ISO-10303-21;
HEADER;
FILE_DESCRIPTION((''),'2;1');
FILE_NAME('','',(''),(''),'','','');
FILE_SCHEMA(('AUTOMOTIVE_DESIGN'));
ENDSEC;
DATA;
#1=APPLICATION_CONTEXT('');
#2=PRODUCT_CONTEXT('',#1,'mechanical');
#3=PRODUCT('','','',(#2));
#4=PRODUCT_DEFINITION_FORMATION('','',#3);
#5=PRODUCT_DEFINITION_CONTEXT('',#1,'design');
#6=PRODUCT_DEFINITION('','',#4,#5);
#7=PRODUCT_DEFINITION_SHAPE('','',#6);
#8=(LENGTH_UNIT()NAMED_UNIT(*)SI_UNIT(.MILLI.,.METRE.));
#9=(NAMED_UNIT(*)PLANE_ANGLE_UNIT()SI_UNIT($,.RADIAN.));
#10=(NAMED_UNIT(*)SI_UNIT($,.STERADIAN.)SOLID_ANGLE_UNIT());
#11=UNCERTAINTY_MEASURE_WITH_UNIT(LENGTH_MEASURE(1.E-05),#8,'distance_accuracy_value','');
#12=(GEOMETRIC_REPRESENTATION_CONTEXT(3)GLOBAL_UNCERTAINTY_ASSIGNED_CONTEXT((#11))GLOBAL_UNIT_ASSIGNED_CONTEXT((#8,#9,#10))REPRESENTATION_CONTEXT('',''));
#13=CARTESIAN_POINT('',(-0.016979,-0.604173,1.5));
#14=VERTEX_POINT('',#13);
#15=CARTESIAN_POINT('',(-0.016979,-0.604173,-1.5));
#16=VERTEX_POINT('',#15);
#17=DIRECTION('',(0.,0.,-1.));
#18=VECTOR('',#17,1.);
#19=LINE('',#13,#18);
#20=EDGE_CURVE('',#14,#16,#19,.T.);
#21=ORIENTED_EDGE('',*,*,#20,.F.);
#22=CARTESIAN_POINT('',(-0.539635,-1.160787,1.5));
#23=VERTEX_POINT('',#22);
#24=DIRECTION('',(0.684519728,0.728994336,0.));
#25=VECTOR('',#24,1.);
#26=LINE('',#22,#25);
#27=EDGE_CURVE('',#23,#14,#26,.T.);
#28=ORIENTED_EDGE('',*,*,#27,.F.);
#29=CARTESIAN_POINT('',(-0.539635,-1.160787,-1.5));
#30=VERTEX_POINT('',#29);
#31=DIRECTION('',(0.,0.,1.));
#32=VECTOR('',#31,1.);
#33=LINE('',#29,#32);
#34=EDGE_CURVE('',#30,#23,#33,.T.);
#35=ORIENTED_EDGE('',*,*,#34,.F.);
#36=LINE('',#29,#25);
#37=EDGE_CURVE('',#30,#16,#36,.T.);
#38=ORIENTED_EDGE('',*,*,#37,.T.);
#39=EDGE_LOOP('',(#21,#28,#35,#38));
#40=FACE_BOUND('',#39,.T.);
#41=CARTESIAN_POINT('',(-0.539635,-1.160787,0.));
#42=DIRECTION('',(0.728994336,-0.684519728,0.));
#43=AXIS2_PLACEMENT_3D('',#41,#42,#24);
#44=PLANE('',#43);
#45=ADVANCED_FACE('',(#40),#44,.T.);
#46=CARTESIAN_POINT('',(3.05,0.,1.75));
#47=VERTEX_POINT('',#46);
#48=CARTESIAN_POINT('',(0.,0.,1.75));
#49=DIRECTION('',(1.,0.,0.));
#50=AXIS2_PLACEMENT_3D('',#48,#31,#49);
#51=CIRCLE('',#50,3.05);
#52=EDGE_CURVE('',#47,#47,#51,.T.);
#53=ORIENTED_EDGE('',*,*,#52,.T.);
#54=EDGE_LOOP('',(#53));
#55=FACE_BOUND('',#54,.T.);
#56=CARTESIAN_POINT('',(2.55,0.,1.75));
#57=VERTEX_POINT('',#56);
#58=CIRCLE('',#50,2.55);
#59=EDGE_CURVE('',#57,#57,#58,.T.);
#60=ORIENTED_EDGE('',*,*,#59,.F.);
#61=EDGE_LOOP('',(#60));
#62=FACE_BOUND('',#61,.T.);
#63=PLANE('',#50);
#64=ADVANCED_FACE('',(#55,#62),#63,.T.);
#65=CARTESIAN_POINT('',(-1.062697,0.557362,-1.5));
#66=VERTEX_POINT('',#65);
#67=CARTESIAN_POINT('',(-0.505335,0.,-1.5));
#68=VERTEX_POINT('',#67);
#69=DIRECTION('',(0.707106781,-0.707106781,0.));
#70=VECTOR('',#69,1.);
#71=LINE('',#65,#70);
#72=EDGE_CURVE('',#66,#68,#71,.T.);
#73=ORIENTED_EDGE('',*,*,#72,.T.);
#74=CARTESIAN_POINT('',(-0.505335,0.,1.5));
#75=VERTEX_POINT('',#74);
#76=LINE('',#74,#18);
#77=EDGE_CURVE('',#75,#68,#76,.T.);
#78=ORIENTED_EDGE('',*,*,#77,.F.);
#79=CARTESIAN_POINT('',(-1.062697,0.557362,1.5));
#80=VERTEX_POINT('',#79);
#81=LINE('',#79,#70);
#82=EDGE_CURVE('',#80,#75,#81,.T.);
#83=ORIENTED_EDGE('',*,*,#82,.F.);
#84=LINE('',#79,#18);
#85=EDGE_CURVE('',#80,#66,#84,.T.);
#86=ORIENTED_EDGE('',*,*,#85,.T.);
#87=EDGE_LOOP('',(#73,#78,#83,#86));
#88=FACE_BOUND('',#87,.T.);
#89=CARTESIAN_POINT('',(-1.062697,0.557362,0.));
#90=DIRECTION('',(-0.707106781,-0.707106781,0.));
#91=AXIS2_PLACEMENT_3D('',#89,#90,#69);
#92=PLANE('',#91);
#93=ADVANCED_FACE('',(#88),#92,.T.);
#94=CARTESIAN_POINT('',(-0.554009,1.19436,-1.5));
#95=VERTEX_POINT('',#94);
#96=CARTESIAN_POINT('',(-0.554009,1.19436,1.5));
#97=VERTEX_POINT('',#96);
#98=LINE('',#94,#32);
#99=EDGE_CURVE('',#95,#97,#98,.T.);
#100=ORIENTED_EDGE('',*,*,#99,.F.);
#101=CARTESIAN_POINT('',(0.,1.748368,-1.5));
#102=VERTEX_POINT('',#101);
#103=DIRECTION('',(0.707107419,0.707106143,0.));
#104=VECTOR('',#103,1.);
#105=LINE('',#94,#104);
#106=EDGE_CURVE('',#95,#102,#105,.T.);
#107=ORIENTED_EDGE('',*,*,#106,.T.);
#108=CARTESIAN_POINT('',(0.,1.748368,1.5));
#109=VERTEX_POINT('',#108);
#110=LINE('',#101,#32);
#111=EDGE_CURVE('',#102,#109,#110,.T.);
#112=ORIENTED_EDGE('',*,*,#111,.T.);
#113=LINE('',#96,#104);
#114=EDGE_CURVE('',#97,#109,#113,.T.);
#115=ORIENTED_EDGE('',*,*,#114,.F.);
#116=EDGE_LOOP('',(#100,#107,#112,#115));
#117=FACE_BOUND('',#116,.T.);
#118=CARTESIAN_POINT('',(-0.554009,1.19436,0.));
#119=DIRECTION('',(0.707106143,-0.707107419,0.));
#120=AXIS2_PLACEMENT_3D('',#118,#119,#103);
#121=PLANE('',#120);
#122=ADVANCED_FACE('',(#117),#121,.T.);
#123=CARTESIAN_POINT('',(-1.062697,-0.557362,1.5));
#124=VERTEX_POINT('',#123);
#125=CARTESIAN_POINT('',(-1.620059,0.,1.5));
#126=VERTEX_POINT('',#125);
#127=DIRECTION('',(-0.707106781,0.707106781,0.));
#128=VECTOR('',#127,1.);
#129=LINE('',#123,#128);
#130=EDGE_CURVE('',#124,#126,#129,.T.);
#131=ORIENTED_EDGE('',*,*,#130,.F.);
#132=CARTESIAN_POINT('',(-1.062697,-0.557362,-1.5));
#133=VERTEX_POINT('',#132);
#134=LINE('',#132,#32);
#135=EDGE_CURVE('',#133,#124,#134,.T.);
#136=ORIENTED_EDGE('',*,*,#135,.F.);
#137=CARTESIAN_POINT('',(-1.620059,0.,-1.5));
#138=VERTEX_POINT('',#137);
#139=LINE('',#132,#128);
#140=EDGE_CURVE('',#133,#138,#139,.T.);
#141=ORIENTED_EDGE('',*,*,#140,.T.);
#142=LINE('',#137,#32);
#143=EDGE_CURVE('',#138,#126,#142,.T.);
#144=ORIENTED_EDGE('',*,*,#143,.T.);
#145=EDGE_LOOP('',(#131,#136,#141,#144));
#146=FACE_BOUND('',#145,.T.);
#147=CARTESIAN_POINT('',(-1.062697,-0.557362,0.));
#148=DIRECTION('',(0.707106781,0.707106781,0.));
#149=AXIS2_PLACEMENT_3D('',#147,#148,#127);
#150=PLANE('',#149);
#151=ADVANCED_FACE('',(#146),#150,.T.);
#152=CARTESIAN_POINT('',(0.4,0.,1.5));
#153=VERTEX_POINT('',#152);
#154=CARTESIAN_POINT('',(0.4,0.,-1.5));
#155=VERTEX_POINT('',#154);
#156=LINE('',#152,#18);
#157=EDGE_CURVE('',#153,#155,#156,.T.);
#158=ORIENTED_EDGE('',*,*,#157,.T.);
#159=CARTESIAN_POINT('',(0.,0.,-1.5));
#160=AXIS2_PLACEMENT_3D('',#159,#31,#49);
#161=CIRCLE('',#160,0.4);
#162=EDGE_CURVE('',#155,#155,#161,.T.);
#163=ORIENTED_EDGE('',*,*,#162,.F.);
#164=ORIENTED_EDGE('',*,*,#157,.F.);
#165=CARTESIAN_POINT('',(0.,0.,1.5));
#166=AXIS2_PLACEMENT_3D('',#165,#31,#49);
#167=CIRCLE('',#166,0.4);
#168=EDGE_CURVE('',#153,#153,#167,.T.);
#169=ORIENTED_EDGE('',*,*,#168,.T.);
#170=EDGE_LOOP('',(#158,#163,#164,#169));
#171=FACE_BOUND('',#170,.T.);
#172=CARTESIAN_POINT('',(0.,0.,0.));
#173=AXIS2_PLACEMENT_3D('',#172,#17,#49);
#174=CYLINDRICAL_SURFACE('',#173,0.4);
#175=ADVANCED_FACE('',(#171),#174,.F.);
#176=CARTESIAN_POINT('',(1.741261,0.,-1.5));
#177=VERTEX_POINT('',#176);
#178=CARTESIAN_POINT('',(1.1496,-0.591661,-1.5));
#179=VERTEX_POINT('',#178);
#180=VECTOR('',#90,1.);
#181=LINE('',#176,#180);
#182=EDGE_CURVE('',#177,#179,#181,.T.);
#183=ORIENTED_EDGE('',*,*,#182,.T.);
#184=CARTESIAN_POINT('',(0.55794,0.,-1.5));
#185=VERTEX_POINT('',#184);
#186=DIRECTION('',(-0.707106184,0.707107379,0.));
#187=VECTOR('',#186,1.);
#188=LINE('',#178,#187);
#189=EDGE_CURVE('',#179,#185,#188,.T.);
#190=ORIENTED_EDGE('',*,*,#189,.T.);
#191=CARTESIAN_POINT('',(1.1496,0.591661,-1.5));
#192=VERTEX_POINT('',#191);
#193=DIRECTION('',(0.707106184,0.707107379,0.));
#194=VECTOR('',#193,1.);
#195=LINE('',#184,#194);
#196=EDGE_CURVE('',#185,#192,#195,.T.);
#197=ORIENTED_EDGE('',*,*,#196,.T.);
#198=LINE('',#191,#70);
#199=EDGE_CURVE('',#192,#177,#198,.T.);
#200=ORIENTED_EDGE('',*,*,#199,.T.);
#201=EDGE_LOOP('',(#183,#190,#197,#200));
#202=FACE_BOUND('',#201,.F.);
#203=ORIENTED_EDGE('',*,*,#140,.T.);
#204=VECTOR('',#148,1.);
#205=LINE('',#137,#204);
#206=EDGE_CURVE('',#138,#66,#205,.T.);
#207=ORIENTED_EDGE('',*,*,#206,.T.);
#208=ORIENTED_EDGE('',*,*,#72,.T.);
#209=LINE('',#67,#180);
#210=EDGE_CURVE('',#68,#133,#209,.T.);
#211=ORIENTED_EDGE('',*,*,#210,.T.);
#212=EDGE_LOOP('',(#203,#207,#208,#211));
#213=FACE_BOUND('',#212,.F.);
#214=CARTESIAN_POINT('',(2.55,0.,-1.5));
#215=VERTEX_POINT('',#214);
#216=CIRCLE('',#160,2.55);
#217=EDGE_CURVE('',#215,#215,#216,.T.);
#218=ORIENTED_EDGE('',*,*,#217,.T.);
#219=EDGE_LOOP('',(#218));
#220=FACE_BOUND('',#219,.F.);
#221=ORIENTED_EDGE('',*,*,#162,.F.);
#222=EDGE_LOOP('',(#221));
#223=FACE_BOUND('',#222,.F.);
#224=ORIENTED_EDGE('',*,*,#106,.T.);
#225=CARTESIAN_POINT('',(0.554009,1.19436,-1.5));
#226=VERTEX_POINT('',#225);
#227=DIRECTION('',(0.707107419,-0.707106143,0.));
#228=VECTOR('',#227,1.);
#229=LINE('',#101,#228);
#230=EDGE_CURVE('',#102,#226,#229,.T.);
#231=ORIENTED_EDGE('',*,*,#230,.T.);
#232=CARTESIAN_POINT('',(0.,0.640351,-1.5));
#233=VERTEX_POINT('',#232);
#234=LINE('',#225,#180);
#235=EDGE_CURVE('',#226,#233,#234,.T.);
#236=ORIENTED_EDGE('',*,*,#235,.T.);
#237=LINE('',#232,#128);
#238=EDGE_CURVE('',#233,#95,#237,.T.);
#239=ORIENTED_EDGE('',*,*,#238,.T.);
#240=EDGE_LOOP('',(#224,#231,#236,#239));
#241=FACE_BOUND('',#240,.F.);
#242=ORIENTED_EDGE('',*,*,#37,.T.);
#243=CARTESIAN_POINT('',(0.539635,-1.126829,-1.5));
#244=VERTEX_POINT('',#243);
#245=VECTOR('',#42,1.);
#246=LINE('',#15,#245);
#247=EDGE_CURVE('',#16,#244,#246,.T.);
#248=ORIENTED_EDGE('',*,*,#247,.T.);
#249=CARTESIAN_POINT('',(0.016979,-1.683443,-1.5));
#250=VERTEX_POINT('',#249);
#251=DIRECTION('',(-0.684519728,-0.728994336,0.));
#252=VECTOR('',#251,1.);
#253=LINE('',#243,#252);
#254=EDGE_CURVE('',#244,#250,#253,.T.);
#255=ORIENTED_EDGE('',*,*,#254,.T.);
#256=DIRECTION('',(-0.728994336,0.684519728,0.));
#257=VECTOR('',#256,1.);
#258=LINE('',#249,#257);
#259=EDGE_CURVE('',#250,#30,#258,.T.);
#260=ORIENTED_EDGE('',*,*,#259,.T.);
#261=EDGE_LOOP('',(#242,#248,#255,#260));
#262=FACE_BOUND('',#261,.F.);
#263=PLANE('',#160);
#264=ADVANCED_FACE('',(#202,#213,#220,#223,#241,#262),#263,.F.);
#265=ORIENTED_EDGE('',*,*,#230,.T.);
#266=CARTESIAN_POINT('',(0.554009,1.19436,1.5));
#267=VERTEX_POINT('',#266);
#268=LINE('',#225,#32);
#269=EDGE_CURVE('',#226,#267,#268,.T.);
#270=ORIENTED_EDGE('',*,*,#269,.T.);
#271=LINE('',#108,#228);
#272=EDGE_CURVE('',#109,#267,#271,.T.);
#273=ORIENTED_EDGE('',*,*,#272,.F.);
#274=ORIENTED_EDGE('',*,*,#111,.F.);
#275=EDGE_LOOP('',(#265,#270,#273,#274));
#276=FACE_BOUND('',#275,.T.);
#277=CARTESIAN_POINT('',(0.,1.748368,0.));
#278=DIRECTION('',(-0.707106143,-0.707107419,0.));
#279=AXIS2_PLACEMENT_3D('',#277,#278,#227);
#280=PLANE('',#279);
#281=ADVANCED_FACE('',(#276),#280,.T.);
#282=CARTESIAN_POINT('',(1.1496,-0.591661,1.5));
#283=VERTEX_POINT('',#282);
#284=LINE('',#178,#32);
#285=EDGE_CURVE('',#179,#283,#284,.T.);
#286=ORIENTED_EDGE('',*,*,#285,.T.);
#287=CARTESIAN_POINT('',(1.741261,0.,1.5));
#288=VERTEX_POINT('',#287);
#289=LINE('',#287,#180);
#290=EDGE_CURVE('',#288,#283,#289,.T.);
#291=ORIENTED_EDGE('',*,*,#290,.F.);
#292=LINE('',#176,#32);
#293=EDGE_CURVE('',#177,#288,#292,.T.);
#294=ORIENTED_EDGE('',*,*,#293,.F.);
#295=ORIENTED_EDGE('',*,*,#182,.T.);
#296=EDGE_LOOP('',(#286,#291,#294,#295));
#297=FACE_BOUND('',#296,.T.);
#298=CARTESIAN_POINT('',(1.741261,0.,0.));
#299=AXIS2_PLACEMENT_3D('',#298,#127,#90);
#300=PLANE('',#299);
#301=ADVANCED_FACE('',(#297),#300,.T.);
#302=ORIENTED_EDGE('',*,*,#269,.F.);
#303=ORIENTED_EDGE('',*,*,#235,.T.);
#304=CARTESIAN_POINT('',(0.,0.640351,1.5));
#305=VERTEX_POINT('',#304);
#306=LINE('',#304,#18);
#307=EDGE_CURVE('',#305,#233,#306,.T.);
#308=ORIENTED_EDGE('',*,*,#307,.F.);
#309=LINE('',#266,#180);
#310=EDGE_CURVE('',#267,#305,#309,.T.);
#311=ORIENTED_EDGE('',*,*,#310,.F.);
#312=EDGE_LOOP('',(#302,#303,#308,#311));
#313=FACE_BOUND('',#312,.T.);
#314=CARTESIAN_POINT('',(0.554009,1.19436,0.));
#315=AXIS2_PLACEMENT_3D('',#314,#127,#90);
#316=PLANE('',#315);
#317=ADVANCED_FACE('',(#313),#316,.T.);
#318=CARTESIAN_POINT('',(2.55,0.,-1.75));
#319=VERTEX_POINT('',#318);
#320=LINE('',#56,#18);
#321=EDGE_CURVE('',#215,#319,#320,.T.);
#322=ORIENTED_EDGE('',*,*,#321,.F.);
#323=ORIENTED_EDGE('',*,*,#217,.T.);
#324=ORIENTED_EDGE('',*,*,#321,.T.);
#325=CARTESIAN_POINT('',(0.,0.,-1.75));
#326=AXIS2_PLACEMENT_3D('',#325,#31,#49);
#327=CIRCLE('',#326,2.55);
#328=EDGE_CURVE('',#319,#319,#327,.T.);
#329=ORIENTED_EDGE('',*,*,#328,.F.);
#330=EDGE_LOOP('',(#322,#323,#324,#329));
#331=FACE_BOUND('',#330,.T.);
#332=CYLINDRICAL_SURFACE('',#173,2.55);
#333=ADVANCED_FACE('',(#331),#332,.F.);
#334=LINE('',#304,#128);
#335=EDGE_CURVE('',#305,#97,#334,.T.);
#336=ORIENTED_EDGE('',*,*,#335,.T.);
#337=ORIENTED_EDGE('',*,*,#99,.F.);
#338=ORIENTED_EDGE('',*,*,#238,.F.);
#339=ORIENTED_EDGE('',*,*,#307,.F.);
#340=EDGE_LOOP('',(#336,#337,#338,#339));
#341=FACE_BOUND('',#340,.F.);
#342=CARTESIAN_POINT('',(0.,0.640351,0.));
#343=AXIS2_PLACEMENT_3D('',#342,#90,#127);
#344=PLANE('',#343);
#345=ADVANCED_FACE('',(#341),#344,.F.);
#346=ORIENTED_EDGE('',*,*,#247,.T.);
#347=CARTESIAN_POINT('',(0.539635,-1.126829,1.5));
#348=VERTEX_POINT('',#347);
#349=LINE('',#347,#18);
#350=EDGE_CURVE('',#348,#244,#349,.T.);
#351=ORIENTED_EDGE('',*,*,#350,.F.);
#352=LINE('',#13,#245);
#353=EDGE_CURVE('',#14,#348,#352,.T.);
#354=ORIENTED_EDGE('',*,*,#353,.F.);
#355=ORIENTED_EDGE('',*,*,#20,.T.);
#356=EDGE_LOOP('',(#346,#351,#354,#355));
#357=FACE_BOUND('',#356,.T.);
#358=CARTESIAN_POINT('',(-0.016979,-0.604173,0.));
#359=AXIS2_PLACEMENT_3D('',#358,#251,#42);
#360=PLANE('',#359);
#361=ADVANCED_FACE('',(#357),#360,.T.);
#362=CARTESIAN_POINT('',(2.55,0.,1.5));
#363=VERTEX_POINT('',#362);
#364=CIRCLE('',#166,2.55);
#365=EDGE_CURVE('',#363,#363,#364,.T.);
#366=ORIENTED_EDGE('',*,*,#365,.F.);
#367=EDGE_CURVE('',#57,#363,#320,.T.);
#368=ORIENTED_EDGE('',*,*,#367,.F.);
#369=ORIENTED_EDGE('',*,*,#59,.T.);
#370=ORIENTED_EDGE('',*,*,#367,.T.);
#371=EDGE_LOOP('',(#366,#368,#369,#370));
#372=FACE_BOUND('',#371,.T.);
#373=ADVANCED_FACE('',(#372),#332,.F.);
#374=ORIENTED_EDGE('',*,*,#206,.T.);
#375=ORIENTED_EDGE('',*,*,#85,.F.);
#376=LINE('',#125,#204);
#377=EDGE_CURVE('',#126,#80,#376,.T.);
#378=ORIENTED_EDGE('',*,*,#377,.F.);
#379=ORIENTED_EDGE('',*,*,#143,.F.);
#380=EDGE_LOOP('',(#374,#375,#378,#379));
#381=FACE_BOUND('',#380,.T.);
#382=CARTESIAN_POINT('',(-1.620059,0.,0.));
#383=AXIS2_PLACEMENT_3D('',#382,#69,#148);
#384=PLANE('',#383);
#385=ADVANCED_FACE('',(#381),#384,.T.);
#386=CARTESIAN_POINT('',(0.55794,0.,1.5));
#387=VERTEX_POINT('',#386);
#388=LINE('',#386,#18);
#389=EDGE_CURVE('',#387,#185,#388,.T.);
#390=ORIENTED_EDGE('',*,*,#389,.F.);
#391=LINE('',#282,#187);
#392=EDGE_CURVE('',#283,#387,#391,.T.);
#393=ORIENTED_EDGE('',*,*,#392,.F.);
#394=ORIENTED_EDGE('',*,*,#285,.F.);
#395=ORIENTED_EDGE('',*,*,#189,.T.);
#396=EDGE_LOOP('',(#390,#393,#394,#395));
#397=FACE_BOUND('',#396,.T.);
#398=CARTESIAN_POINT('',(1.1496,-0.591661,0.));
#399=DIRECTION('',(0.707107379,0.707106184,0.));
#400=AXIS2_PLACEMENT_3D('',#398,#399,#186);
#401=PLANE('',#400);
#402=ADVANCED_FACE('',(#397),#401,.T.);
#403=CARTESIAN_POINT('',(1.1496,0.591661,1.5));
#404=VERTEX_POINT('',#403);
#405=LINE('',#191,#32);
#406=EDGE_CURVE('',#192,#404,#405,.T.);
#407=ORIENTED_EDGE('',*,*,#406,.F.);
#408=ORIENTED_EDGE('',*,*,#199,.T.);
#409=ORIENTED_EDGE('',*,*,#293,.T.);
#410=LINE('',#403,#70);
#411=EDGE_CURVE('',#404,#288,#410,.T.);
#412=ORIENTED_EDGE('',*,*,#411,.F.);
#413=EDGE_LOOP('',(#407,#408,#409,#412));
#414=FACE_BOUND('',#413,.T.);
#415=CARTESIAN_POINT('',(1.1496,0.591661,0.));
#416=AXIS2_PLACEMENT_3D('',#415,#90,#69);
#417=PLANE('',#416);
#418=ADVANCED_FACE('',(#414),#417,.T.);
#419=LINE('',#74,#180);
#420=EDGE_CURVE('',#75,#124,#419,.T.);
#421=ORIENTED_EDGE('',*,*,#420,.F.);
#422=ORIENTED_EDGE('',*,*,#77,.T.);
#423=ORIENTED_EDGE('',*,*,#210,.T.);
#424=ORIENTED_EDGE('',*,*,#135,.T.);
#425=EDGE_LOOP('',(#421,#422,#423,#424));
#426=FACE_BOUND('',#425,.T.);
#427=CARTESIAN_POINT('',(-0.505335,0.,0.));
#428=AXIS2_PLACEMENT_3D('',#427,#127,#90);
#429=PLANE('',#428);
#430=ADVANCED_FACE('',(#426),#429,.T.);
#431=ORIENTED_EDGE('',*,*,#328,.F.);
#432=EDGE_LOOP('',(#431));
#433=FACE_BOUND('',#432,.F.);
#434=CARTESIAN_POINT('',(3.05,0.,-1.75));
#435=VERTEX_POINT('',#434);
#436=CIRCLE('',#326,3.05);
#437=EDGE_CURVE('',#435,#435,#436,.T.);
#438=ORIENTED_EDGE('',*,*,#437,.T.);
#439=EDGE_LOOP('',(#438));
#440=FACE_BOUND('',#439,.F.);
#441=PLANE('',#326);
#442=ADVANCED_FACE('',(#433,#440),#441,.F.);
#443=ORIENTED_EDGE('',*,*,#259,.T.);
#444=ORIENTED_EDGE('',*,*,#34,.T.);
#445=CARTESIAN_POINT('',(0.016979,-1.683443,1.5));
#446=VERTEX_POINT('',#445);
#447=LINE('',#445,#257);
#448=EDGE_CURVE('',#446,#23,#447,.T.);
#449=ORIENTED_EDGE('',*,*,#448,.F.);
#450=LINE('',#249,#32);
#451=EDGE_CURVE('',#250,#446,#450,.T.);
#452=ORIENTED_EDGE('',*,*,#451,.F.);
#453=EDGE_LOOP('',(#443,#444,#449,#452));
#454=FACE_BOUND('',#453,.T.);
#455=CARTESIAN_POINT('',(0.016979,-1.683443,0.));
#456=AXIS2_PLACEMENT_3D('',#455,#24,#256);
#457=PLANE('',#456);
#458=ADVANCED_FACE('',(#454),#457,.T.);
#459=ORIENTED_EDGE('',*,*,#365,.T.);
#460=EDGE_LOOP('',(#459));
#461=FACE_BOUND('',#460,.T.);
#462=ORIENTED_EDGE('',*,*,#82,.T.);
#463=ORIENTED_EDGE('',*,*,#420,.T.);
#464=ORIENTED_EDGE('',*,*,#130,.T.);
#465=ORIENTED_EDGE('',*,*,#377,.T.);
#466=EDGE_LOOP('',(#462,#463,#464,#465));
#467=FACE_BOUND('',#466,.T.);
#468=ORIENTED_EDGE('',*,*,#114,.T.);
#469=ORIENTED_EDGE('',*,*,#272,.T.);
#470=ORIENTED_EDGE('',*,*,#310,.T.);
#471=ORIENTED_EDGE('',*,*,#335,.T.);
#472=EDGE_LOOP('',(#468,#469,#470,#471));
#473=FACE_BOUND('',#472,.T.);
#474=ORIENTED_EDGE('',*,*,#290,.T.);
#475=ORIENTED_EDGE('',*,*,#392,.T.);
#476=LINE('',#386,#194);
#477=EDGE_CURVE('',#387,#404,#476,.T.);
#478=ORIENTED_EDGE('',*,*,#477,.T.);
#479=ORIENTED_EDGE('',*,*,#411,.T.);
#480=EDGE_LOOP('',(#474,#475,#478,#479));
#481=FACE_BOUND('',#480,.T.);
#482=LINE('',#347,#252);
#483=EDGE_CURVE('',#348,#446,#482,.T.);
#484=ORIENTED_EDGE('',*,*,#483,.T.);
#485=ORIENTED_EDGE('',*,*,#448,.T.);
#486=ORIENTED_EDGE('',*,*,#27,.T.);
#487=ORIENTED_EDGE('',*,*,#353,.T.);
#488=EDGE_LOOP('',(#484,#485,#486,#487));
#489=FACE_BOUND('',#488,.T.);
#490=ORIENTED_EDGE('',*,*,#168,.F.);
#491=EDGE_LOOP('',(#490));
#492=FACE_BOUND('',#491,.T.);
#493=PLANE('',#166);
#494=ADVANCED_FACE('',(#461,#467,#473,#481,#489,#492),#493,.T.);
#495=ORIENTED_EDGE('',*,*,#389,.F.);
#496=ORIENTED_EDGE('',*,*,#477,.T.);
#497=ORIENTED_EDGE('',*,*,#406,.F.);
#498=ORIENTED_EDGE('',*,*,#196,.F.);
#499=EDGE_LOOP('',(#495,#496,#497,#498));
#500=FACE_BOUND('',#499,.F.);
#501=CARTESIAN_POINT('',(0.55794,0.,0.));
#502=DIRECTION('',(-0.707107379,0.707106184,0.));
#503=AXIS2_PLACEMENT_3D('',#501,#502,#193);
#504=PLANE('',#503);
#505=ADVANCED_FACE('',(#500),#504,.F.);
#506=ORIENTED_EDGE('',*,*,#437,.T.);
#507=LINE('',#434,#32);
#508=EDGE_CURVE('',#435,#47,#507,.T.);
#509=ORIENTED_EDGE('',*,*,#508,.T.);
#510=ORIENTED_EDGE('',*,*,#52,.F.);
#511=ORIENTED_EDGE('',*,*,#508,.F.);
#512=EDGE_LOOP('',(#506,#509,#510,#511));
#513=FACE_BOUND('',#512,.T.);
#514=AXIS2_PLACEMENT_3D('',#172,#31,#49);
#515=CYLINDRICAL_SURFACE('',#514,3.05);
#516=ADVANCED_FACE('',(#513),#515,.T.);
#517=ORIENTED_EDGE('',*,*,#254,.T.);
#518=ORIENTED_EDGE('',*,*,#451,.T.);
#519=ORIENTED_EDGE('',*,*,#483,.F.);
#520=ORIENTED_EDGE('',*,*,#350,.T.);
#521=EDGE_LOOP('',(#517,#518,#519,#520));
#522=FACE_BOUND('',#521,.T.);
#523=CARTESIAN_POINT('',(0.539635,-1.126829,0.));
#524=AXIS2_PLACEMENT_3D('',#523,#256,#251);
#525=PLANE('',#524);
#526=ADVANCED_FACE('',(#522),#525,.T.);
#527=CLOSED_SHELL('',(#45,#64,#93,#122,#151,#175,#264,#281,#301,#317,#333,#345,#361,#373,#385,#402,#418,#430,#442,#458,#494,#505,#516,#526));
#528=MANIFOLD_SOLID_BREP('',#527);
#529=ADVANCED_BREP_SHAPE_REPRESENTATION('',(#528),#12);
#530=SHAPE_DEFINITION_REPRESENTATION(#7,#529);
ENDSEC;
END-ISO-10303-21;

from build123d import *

# Parameters (mm, degrees)
F0_R     = 2.55
F0_R_2   = 0.4
F1_DEPTH = 1.5
F0_R_3   = 3.05
F2_DEPTH = 1.75


with BuildPart() as f1:
    # F0 (on Top) → F1 (new body, symmetric)
    with BuildSketch(Plane.XY):
        Circle(F0_R)
        Polygon((0.016979, -1.683443), (-0.539635, -1.160787), (-0.016979, -0.604173), (0.539635, -1.126829), align=None, mode=Mode.SUBTRACT)
        Polygon((-1.062697, -0.557362), (-1.620059, 0), (-1.062697, 0.557362), (-0.505335, 0), align=None, mode=Mode.SUBTRACT)
        Circle(F0_R_2, mode=Mode.SUBTRACT)
        Polygon((1.1496, -0.591661), (0.55794, 0), (1.1496, 0.591661), (1.741261, 0), align=None, mode=Mode.SUBTRACT)
        Polygon((0, 0.640351), (-0.554009, 1.19436), (0, 1.748368), (0.554009, 1.19436), align=None, mode=Mode.SUBTRACT)
    extrude(amount=F1_DEPTH, both=True)

    # F0 (on Top) → F2 (join, symmetric)
    with BuildSketch(Plane.XY):
        Circle(F0_R_3)
        Circle(F0_R, mode=Mode.SUBTRACT)
    extrude(amount=F2_DEPTH, both=True)


solid = f1.part
